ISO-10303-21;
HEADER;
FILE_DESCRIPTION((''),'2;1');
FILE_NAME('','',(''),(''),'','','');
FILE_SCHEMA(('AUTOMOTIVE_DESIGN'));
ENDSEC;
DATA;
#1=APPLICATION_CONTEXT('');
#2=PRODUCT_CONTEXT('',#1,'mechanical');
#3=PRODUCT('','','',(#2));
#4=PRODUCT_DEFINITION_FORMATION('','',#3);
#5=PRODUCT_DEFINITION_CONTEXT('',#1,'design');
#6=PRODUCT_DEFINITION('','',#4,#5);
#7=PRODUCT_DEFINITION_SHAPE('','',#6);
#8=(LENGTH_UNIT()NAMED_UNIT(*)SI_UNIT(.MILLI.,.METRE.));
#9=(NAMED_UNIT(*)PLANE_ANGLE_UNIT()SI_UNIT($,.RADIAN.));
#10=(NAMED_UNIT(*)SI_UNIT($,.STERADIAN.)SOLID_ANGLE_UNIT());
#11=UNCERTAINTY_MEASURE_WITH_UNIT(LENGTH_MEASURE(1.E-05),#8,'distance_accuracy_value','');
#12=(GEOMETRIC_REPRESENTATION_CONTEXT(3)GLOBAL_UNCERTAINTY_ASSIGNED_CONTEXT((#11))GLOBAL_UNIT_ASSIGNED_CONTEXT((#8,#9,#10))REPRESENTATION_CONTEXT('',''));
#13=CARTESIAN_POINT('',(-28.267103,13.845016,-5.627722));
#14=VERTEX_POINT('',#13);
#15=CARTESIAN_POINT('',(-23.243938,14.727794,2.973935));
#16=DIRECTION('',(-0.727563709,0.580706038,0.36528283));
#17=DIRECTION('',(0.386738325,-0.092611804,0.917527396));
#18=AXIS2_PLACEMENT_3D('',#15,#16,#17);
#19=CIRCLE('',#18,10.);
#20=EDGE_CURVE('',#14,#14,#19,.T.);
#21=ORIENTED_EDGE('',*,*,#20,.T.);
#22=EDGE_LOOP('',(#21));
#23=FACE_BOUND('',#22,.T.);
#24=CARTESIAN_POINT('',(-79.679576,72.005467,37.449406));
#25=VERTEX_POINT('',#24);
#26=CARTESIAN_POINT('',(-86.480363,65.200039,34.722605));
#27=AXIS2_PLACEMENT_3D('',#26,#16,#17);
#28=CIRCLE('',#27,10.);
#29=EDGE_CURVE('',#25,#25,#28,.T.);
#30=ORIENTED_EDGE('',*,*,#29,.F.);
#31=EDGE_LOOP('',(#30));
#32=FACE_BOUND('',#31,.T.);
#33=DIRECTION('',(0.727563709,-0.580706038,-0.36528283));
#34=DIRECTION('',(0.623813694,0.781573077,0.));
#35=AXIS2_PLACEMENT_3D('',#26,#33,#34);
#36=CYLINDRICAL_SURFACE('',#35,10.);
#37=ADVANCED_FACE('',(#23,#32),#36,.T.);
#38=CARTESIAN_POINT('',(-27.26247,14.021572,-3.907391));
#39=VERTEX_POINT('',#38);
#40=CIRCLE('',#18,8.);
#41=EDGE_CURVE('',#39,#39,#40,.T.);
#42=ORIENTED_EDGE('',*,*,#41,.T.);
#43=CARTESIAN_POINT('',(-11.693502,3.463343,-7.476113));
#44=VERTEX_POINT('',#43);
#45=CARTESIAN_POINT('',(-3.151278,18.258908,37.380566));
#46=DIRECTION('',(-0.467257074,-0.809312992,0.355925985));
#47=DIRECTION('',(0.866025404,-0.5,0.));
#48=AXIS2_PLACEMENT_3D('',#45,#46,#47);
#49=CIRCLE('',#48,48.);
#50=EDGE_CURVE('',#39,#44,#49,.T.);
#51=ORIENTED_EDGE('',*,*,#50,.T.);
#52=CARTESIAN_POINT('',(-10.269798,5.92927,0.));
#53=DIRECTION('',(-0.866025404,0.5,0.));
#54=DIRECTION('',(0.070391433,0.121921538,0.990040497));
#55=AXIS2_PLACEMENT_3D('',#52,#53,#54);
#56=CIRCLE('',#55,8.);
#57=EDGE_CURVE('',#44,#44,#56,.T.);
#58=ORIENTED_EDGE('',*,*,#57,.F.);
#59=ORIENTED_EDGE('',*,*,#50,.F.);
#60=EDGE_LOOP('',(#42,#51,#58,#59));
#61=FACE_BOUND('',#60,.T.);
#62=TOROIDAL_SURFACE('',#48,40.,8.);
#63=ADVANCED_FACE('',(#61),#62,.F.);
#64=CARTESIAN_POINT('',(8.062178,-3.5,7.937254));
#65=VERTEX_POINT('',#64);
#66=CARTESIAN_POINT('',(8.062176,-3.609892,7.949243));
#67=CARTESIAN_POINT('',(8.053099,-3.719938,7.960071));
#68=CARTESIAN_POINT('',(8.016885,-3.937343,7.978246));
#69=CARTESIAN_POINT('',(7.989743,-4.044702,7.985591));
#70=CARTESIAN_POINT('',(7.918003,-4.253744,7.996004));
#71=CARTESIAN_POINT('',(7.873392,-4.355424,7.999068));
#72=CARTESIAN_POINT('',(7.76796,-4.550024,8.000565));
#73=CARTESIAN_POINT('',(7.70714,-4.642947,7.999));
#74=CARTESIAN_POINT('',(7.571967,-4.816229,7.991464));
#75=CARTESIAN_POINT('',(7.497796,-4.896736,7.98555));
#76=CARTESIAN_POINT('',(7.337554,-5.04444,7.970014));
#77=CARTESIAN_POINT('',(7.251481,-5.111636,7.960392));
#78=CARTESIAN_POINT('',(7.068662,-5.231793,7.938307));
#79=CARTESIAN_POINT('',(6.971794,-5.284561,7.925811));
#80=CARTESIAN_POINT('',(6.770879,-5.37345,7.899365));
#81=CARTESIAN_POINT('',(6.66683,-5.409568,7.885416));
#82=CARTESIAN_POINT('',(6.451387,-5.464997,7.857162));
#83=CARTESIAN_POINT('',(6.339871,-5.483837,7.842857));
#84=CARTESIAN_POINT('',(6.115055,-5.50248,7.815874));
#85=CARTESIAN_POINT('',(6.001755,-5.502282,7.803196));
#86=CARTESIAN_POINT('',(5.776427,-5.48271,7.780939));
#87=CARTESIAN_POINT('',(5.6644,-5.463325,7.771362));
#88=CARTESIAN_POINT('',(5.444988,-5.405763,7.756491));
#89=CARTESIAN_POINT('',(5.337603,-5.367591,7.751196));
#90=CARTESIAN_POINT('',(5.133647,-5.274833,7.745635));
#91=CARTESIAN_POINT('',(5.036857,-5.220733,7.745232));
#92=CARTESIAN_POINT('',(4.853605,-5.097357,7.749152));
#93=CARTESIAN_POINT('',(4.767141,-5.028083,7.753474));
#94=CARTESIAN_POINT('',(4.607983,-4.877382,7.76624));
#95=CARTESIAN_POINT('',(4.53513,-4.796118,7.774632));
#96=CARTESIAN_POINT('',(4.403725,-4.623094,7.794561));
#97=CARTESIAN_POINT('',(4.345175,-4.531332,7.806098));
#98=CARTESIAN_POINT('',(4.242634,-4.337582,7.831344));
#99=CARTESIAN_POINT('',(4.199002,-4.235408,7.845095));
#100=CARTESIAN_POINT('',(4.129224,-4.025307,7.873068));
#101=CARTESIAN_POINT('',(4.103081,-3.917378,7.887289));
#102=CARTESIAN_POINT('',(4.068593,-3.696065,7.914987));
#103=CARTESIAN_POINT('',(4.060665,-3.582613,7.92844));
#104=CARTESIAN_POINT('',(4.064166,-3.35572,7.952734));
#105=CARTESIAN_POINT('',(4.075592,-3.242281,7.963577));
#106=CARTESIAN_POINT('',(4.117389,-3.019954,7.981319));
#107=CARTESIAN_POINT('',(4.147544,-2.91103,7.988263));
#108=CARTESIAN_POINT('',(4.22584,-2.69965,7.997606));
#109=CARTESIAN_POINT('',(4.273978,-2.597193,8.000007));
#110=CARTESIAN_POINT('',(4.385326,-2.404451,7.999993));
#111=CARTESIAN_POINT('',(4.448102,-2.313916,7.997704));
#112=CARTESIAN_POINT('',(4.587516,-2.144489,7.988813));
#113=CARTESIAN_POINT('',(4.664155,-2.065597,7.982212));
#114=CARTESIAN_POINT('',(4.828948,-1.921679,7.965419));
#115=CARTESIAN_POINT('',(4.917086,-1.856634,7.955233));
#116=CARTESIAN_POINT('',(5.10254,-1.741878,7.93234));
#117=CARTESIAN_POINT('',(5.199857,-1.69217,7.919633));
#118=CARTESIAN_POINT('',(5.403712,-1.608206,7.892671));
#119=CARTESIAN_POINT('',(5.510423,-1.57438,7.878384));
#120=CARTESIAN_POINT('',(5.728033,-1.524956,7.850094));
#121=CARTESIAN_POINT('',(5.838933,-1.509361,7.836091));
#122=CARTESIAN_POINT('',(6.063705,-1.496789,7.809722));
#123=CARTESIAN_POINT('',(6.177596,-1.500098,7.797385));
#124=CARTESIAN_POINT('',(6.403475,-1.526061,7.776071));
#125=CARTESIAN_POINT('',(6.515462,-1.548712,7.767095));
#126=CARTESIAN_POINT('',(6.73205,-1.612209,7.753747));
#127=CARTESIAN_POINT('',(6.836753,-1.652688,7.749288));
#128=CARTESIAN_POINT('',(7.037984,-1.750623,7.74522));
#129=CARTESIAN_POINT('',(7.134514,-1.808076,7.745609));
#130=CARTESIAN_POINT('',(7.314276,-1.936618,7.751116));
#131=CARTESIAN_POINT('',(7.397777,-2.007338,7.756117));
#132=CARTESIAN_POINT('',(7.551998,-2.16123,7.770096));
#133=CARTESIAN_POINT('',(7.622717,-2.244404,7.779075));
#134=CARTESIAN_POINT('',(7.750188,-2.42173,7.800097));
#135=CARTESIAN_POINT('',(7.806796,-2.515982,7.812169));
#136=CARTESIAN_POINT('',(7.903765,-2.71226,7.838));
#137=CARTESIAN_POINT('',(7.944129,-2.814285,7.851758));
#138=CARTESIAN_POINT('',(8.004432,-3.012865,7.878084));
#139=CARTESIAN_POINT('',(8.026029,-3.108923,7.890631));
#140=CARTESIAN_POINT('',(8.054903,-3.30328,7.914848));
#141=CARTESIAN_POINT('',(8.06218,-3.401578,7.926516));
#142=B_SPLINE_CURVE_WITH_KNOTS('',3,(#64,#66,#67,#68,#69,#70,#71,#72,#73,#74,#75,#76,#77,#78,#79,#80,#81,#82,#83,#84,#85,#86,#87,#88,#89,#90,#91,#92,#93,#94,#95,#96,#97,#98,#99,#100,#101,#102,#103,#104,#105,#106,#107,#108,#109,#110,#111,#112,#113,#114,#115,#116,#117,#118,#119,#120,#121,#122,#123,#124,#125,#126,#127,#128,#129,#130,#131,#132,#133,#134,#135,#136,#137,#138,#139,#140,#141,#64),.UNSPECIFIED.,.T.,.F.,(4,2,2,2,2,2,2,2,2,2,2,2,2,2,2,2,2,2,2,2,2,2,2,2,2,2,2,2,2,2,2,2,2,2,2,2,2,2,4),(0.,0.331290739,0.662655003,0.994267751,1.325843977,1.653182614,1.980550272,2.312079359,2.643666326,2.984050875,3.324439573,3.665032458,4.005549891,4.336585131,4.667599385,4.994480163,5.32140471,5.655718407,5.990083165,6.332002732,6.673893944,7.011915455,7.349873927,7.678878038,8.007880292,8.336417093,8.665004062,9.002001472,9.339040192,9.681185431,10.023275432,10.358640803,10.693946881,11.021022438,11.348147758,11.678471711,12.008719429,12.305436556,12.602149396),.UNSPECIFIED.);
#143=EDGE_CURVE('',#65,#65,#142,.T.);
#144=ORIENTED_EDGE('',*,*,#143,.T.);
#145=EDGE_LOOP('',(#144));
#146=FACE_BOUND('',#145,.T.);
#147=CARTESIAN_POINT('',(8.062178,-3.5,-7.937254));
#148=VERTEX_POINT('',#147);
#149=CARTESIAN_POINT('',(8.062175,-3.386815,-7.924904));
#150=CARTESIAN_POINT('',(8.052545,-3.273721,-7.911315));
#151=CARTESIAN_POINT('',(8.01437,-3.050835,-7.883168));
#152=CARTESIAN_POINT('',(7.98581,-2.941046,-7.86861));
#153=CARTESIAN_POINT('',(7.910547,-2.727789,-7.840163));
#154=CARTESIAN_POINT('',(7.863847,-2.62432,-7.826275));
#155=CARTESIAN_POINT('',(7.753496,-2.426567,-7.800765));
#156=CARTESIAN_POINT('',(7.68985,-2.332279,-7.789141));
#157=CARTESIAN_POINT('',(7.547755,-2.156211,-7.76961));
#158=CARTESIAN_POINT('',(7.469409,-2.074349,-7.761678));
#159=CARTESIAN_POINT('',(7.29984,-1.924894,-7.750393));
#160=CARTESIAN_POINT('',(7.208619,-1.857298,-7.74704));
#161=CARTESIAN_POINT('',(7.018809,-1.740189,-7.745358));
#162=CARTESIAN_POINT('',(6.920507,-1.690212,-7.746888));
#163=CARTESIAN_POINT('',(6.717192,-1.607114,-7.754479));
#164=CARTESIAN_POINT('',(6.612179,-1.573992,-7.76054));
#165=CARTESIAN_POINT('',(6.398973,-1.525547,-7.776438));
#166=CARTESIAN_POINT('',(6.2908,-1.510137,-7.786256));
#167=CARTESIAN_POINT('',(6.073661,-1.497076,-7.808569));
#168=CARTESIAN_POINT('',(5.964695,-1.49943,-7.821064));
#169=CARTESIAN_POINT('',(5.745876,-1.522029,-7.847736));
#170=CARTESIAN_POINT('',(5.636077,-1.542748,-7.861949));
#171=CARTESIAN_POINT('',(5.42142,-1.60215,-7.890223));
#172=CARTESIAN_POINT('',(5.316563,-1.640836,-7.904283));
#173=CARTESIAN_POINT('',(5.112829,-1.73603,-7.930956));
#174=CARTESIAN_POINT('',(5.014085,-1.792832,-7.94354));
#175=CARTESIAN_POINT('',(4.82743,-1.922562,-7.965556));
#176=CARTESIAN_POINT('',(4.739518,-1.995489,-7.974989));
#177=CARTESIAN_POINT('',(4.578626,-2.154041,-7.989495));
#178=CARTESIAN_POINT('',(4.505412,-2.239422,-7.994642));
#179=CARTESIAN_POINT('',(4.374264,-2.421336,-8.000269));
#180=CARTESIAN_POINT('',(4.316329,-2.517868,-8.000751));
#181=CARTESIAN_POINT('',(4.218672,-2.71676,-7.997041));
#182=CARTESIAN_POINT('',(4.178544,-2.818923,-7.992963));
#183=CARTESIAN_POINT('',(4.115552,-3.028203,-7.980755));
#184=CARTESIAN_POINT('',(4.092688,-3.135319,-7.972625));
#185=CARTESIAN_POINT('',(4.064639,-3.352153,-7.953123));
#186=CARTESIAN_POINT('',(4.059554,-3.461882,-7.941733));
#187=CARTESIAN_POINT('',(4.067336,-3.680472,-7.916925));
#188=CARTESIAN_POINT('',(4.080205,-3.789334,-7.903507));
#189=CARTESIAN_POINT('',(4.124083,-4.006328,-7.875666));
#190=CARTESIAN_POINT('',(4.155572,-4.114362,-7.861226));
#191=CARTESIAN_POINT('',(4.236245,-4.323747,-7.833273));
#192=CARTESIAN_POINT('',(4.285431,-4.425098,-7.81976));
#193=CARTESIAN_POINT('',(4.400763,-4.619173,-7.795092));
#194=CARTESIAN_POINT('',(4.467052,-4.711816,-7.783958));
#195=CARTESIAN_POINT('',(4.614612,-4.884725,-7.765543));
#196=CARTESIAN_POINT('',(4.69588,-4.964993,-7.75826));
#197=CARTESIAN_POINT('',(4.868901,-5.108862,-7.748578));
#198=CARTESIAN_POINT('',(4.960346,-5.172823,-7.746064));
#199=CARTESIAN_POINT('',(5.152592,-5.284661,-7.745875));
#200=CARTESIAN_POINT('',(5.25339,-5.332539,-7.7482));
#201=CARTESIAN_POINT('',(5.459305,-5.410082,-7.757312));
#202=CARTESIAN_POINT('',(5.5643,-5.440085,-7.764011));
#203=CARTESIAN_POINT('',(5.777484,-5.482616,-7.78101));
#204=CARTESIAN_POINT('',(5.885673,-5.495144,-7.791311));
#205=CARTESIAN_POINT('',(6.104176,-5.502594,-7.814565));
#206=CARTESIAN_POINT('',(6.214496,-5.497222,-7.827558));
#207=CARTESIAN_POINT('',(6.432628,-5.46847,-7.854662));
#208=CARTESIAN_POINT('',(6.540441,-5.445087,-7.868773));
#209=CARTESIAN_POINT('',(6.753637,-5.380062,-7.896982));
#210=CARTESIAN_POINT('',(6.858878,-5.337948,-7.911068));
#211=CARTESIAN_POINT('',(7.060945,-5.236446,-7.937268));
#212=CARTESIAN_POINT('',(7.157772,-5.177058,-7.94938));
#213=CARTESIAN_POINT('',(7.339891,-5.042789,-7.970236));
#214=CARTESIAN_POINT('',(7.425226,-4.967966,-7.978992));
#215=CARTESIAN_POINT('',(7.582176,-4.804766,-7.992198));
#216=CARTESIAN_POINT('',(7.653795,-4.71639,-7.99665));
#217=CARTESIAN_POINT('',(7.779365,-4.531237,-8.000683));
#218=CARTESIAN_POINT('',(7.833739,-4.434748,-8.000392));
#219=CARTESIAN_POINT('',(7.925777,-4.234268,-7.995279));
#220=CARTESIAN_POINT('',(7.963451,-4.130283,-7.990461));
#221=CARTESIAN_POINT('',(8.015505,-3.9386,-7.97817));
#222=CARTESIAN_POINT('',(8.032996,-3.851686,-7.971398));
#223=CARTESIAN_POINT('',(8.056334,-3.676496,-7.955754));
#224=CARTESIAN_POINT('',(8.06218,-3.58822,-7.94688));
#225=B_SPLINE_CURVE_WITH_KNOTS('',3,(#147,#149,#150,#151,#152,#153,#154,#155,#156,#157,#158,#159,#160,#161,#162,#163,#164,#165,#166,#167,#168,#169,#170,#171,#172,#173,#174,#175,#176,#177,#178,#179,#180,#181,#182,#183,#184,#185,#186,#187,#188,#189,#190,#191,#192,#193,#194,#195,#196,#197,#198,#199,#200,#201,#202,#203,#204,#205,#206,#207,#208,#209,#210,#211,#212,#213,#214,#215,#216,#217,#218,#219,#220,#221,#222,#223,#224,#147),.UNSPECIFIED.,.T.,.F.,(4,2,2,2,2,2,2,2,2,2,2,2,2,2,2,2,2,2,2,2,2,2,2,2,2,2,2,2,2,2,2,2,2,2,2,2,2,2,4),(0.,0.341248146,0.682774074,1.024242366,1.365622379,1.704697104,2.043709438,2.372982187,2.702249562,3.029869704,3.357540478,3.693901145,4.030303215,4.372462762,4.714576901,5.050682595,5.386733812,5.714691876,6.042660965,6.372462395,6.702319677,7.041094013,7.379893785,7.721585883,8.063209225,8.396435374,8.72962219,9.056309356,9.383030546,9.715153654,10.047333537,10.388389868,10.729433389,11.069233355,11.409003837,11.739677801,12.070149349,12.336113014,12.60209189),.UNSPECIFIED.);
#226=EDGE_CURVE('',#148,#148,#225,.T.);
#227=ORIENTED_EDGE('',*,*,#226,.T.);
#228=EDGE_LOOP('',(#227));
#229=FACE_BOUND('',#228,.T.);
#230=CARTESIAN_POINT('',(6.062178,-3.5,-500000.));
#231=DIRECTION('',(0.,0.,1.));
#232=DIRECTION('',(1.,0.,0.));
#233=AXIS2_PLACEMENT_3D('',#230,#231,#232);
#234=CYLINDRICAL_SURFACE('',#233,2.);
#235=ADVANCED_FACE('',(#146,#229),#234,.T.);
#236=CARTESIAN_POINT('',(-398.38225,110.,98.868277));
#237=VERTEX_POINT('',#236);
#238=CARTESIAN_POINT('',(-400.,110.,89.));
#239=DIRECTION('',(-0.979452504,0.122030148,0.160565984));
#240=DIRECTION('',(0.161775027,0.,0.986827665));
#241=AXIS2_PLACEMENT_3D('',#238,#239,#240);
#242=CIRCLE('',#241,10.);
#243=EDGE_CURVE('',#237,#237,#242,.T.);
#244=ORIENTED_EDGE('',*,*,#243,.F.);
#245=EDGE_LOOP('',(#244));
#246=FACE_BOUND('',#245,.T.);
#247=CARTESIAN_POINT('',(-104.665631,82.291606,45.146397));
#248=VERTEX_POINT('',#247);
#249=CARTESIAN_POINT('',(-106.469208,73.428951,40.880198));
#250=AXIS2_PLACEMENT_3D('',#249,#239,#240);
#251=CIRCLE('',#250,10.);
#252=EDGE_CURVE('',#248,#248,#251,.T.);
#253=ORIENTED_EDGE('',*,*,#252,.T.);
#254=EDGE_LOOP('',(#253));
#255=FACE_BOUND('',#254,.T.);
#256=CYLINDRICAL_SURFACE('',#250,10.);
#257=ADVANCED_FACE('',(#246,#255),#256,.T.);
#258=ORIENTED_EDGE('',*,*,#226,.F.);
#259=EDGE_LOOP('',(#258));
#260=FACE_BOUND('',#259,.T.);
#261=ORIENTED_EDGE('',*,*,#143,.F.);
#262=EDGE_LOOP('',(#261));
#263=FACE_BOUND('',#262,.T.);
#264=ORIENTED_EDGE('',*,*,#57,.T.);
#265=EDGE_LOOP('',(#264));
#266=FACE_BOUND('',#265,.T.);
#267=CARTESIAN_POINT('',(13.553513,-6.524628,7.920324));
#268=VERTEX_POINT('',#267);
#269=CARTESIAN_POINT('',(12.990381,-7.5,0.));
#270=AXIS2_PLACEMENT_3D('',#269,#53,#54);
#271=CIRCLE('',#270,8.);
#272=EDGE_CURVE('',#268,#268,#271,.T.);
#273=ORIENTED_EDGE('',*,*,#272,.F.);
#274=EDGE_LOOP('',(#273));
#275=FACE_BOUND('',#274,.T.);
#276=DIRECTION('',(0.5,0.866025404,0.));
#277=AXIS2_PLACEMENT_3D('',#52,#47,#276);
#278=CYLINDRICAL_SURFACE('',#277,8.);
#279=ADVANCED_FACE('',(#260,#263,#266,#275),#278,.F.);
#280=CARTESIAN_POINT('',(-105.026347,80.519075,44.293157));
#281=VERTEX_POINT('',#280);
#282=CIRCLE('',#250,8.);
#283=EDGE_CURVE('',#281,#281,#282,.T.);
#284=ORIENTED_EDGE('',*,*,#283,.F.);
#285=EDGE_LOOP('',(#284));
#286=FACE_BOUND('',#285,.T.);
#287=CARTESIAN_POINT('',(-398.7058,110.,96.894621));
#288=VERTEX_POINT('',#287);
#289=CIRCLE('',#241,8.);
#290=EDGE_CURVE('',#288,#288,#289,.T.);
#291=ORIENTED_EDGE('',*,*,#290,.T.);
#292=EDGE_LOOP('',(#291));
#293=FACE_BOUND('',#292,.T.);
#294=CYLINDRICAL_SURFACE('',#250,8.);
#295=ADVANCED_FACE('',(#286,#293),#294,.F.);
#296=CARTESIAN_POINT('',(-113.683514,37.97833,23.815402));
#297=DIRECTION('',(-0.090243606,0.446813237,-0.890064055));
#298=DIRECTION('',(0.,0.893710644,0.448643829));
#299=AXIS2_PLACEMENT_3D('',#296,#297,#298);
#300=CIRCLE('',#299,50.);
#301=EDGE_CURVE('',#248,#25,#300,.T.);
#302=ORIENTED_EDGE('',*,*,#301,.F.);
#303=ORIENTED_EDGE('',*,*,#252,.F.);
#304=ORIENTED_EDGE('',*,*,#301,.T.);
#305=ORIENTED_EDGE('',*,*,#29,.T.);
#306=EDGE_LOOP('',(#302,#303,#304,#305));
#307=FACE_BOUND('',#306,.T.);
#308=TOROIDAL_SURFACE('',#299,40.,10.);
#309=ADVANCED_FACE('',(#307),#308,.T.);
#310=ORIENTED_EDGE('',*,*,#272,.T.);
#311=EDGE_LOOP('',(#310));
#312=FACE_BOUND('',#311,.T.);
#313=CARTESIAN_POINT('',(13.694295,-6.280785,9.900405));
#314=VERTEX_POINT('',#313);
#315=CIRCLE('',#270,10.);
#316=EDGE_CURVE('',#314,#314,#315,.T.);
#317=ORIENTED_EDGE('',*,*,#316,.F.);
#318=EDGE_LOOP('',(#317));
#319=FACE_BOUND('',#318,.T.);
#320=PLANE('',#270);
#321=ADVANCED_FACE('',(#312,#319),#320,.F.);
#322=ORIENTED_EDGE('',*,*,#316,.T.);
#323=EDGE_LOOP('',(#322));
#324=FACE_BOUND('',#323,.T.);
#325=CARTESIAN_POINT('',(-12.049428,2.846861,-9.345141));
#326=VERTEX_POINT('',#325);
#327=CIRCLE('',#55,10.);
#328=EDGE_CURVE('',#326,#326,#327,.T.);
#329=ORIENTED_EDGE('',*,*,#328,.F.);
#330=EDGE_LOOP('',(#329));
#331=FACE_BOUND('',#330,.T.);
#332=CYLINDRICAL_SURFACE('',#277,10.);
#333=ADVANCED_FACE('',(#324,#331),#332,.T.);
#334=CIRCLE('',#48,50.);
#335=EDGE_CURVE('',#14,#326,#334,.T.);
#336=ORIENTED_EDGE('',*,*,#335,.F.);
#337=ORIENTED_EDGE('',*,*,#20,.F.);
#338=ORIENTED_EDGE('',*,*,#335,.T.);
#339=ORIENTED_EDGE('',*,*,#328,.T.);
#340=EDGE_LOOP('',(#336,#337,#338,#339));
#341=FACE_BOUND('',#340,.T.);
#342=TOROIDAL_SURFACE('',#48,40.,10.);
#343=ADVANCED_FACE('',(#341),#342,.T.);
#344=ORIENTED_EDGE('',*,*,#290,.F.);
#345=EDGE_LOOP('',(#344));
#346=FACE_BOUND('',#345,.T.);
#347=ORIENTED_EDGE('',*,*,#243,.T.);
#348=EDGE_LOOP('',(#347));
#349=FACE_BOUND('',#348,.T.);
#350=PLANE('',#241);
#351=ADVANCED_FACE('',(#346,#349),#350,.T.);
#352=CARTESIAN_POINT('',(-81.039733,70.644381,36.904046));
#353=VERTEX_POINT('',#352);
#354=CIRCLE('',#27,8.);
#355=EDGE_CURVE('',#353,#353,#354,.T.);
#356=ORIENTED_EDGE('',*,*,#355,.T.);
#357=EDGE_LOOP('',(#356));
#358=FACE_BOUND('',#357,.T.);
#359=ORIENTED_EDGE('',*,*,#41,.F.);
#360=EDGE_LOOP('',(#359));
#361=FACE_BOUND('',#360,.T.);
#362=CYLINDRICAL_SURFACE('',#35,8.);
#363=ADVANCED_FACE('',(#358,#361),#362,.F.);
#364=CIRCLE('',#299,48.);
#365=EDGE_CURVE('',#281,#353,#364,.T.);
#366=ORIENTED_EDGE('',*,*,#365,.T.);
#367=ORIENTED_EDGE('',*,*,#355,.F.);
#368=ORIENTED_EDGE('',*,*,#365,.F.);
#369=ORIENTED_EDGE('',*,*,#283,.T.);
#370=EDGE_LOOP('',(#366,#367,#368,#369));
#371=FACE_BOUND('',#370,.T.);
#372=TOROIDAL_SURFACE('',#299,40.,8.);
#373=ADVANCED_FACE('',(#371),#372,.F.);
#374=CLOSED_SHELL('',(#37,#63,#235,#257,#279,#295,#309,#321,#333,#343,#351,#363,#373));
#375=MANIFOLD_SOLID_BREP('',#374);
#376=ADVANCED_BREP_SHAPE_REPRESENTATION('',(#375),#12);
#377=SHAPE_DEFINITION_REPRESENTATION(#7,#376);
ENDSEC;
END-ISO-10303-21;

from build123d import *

# Parameters (mm, degrees)
ESQUISSE1_R                       = 10
ESQUISSE1_R_2                     = 8
EXTRUSION1_REACH                  = 433.016
EXTRUSION1_END_RADIUS             = 8
ESQUISSE3_R                       = 2
EXTRUSION1_DIRECTION_2_REACH      = 433.016
EXTRUSION1_DIRECTION_2_END_RADIUS = 8


with BuildPart() as part:
    # Balayage1: sweep along a curve in space
    with BuildLine() as balayage1_path:
        Line((0, 0, 0), (12.990381057, -7.5, 0))
        Line((0, 0, 0), (-10.26979763, 5.929270426, 0))
        ThreePointArc((-23.243938294, 14.727794485, 2.973935241), (-17.035828208, 10.165933144, 0.751028422), (-10.26979763, 5.929270426, 0))
        Line((-23.243938294, 14.727794485, 2.973935241), (-86.480363257, 65.200039483, 34.722605481))
        ThreePointArc((-106.469208033, 73.428950509, 40.880198038), (-95.752548684, 70.629649492, 38.3883833), (-86.480363257, 65.200039483, 34.722605481))
        Line((-106.469208033, 73.428950509, 40.880198038), (-400, 110, 89))
    # Esquisse1 → Balayage1 (sweep)
    with BuildSketch(Plane(origin=(-400, 110, 89), x_dir=(0.15933409799773637, -0.019851461389881916, 0.9870251084425026), z_dir=(-0.9794525040369775, 0.12203014804395138, 0.1605659842683569))):
        Circle(ESQUISSE1_R)
        Circle(ESQUISSE1_R_2, mode=Mode.SUBTRACT)
    sweep(path=balayage1_path.line)

    # Extrusion1: up to this cylinder (the profile starts inside it)
    extrusion1_end = Plane(origin=(6.062177957, -3.500000075, 0), z_dir=(0.866025403784438, -0.500000000000001, 0)) * Cylinder(EXTRUSION1_END_RADIUS, 883.032, mode=Mode.PRIVATE)
    # Esquisse3 → Extrusion1 (add, up to the surface)
    with BuildSketch(Plane.XY, mode=Mode.PRIVATE) as extrusion1_sk1:
        with Locations((6.062177826, -3.5)):
            Circle(ESQUISSE3_R)
    extrusion1_tool1 = extrude(extrusion1_sk1.sketch, amount=EXTRUSION1_REACH, mode=Mode.PRIVATE) & extrusion1_end
    add(extrusion1_tool1.solids().sort_by_distance((6.062178, -3.5, 0))[0])

    # Extrusion1 direction 2: up to this cylinder (the profile starts inside it)
    extrusion1_direction_2_end = Plane(origin=(6.062177957, -3.500000075, 0), z_dir=(0.866025403784438, -0.500000000000001, 0)) * Cylinder(EXTRUSION1_DIRECTION_2_END_RADIUS, 883.032, mode=Mode.PRIVATE)
    # Esquisse3 → Extrusion1 direction 2 (add, up to the surface)
    with BuildSketch(Plane.XY, mode=Mode.PRIVATE) as extrusion1_direction_2_sk1:
        with Locations((6.062177826, -3.5)):
            Circle(ESQUISSE3_R)
    extrusion1_direction_2_tool1 = extrude(extrusion1_direction_2_sk1.sketch, amount=-EXTRUSION1_DIRECTION_2_REACH, mode=Mode.PRIVATE) & extrusion1_direction_2_end
    add(extrusion1_direction_2_tool1.solids().sort_by_distance((6.062178, -3.5, 0))[0])


solid = part.part
